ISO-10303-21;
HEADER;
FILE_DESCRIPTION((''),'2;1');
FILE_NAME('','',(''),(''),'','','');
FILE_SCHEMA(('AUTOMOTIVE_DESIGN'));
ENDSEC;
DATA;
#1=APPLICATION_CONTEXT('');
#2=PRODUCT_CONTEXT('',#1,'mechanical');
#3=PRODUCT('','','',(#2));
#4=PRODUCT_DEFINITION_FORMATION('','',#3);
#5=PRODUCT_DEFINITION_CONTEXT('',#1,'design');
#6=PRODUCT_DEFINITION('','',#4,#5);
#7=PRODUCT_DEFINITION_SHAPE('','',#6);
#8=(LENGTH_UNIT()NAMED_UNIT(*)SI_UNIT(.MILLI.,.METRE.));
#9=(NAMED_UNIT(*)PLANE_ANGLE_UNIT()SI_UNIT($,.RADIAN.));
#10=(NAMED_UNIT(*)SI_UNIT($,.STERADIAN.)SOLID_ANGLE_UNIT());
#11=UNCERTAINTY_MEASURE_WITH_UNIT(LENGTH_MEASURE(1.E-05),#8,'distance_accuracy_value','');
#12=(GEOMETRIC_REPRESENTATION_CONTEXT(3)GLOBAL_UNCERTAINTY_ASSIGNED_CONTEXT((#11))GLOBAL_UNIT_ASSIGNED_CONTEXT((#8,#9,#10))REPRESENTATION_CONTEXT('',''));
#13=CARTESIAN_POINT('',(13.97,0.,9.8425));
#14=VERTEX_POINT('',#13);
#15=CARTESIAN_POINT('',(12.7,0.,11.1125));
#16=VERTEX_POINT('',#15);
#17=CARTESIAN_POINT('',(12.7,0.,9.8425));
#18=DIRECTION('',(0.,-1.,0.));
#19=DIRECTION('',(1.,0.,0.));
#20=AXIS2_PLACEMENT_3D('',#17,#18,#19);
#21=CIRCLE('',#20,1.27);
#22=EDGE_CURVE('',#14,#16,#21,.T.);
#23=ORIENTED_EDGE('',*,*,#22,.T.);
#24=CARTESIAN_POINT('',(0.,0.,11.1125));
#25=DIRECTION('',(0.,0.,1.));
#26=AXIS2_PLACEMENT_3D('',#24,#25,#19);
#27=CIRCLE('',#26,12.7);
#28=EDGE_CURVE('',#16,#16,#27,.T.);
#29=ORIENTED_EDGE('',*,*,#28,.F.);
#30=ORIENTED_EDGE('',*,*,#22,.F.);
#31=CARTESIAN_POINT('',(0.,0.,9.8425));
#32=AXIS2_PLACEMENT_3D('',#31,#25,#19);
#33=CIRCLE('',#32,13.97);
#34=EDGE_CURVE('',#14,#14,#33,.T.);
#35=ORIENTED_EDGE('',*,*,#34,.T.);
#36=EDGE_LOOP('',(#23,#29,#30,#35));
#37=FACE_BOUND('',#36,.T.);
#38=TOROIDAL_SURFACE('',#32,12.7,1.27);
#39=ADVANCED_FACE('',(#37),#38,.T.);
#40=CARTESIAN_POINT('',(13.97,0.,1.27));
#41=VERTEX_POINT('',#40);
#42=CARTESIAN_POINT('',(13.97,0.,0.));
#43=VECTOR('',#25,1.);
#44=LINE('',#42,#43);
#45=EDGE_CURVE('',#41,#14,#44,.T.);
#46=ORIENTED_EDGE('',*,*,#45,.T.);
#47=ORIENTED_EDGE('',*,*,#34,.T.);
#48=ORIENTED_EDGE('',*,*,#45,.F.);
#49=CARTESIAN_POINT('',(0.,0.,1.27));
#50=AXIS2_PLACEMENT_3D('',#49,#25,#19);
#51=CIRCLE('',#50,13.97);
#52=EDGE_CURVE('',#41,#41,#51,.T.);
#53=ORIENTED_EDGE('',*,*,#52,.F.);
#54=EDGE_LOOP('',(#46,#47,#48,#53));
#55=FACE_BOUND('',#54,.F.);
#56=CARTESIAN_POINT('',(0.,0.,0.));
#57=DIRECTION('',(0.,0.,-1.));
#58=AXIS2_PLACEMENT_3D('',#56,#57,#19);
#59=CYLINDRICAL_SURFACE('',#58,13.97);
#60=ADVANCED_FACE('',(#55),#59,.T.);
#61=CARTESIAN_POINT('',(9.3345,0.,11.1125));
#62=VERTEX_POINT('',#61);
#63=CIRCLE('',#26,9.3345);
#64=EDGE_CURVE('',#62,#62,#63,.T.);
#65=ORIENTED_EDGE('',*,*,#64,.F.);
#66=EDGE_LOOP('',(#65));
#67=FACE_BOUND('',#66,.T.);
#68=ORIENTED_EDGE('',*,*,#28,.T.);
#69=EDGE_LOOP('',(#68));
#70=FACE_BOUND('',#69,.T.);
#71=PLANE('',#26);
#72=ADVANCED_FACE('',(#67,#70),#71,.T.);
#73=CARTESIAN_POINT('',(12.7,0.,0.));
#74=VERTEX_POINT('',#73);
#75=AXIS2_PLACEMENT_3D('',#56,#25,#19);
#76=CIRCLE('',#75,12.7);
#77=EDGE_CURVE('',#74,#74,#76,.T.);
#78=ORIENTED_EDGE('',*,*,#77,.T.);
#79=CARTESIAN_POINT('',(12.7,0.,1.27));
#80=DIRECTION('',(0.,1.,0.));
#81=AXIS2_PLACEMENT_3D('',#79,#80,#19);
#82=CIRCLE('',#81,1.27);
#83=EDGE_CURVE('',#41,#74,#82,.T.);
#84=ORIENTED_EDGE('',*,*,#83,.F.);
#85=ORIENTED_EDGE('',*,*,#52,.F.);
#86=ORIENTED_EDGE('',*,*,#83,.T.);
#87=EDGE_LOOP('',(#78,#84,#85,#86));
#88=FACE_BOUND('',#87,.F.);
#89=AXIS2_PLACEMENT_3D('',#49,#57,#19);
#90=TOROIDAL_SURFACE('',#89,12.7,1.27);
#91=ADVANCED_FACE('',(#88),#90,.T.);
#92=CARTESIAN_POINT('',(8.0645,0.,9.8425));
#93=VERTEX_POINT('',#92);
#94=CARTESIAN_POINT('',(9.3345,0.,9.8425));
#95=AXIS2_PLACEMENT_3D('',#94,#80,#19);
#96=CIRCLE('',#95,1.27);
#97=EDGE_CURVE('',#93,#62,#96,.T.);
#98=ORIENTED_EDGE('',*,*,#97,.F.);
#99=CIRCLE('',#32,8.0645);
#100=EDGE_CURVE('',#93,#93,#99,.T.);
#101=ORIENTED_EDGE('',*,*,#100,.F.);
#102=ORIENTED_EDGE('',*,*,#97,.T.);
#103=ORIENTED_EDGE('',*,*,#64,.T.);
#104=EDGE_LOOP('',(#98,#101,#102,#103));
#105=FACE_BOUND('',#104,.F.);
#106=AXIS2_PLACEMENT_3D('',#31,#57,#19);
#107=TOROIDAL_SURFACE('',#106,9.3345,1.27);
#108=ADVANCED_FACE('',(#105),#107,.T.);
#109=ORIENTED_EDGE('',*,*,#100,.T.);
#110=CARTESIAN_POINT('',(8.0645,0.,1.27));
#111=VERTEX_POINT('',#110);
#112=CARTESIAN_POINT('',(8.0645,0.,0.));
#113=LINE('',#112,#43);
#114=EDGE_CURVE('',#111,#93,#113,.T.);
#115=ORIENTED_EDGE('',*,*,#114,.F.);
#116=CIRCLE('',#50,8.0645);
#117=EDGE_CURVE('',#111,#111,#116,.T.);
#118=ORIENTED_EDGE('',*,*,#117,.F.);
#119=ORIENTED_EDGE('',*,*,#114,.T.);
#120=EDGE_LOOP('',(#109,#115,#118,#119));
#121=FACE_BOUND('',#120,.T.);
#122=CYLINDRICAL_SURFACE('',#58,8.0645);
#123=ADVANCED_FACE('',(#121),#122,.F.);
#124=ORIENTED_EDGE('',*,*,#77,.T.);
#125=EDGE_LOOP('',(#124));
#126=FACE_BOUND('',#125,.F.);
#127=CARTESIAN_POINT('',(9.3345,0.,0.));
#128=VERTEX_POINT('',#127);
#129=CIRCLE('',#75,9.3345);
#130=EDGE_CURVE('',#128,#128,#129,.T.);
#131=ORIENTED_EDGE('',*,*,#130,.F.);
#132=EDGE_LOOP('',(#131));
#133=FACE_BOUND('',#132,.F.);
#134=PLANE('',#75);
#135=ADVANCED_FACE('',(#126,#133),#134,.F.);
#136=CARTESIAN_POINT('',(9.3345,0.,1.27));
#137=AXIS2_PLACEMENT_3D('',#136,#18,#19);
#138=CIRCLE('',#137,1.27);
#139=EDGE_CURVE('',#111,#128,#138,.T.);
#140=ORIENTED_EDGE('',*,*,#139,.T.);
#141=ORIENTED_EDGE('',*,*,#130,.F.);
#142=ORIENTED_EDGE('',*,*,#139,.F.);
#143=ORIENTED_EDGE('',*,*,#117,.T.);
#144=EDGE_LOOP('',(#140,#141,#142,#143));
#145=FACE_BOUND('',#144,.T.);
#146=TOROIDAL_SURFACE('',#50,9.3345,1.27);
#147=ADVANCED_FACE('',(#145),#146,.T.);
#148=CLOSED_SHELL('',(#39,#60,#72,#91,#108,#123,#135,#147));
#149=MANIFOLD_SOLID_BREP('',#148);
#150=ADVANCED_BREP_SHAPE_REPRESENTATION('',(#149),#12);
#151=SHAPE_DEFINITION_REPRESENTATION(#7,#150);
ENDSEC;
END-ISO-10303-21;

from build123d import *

# Parameters (mm, degrees)
F0_R     = 13.97
F0_R_2   = 8.0645
F1_DEPTH = 11.1125
F2_R     = 1.27


with BuildPart() as f1:
    # F0 (on Top) → F1 (new body)
    with BuildSketch(Plane.XY):
        Circle(F0_R)
        Circle(F0_R_2, mode=Mode.SUBTRACT)
    extrude(amount=F1_DEPTH)

    # F2
    f2_edges = [f1.edges().sort_by_distance(p)[0] for p in [
        (13.97, 0, 5.55625),
        (-13.97, 0, 0),
        (-13.97, 0, 11.1125),
        (-8.0645, 0, 11.1125),
        (-8.0645, 0, 0),
    ]]
    fillet(f2_edges, radius=F2_R)


solid = f1.part
